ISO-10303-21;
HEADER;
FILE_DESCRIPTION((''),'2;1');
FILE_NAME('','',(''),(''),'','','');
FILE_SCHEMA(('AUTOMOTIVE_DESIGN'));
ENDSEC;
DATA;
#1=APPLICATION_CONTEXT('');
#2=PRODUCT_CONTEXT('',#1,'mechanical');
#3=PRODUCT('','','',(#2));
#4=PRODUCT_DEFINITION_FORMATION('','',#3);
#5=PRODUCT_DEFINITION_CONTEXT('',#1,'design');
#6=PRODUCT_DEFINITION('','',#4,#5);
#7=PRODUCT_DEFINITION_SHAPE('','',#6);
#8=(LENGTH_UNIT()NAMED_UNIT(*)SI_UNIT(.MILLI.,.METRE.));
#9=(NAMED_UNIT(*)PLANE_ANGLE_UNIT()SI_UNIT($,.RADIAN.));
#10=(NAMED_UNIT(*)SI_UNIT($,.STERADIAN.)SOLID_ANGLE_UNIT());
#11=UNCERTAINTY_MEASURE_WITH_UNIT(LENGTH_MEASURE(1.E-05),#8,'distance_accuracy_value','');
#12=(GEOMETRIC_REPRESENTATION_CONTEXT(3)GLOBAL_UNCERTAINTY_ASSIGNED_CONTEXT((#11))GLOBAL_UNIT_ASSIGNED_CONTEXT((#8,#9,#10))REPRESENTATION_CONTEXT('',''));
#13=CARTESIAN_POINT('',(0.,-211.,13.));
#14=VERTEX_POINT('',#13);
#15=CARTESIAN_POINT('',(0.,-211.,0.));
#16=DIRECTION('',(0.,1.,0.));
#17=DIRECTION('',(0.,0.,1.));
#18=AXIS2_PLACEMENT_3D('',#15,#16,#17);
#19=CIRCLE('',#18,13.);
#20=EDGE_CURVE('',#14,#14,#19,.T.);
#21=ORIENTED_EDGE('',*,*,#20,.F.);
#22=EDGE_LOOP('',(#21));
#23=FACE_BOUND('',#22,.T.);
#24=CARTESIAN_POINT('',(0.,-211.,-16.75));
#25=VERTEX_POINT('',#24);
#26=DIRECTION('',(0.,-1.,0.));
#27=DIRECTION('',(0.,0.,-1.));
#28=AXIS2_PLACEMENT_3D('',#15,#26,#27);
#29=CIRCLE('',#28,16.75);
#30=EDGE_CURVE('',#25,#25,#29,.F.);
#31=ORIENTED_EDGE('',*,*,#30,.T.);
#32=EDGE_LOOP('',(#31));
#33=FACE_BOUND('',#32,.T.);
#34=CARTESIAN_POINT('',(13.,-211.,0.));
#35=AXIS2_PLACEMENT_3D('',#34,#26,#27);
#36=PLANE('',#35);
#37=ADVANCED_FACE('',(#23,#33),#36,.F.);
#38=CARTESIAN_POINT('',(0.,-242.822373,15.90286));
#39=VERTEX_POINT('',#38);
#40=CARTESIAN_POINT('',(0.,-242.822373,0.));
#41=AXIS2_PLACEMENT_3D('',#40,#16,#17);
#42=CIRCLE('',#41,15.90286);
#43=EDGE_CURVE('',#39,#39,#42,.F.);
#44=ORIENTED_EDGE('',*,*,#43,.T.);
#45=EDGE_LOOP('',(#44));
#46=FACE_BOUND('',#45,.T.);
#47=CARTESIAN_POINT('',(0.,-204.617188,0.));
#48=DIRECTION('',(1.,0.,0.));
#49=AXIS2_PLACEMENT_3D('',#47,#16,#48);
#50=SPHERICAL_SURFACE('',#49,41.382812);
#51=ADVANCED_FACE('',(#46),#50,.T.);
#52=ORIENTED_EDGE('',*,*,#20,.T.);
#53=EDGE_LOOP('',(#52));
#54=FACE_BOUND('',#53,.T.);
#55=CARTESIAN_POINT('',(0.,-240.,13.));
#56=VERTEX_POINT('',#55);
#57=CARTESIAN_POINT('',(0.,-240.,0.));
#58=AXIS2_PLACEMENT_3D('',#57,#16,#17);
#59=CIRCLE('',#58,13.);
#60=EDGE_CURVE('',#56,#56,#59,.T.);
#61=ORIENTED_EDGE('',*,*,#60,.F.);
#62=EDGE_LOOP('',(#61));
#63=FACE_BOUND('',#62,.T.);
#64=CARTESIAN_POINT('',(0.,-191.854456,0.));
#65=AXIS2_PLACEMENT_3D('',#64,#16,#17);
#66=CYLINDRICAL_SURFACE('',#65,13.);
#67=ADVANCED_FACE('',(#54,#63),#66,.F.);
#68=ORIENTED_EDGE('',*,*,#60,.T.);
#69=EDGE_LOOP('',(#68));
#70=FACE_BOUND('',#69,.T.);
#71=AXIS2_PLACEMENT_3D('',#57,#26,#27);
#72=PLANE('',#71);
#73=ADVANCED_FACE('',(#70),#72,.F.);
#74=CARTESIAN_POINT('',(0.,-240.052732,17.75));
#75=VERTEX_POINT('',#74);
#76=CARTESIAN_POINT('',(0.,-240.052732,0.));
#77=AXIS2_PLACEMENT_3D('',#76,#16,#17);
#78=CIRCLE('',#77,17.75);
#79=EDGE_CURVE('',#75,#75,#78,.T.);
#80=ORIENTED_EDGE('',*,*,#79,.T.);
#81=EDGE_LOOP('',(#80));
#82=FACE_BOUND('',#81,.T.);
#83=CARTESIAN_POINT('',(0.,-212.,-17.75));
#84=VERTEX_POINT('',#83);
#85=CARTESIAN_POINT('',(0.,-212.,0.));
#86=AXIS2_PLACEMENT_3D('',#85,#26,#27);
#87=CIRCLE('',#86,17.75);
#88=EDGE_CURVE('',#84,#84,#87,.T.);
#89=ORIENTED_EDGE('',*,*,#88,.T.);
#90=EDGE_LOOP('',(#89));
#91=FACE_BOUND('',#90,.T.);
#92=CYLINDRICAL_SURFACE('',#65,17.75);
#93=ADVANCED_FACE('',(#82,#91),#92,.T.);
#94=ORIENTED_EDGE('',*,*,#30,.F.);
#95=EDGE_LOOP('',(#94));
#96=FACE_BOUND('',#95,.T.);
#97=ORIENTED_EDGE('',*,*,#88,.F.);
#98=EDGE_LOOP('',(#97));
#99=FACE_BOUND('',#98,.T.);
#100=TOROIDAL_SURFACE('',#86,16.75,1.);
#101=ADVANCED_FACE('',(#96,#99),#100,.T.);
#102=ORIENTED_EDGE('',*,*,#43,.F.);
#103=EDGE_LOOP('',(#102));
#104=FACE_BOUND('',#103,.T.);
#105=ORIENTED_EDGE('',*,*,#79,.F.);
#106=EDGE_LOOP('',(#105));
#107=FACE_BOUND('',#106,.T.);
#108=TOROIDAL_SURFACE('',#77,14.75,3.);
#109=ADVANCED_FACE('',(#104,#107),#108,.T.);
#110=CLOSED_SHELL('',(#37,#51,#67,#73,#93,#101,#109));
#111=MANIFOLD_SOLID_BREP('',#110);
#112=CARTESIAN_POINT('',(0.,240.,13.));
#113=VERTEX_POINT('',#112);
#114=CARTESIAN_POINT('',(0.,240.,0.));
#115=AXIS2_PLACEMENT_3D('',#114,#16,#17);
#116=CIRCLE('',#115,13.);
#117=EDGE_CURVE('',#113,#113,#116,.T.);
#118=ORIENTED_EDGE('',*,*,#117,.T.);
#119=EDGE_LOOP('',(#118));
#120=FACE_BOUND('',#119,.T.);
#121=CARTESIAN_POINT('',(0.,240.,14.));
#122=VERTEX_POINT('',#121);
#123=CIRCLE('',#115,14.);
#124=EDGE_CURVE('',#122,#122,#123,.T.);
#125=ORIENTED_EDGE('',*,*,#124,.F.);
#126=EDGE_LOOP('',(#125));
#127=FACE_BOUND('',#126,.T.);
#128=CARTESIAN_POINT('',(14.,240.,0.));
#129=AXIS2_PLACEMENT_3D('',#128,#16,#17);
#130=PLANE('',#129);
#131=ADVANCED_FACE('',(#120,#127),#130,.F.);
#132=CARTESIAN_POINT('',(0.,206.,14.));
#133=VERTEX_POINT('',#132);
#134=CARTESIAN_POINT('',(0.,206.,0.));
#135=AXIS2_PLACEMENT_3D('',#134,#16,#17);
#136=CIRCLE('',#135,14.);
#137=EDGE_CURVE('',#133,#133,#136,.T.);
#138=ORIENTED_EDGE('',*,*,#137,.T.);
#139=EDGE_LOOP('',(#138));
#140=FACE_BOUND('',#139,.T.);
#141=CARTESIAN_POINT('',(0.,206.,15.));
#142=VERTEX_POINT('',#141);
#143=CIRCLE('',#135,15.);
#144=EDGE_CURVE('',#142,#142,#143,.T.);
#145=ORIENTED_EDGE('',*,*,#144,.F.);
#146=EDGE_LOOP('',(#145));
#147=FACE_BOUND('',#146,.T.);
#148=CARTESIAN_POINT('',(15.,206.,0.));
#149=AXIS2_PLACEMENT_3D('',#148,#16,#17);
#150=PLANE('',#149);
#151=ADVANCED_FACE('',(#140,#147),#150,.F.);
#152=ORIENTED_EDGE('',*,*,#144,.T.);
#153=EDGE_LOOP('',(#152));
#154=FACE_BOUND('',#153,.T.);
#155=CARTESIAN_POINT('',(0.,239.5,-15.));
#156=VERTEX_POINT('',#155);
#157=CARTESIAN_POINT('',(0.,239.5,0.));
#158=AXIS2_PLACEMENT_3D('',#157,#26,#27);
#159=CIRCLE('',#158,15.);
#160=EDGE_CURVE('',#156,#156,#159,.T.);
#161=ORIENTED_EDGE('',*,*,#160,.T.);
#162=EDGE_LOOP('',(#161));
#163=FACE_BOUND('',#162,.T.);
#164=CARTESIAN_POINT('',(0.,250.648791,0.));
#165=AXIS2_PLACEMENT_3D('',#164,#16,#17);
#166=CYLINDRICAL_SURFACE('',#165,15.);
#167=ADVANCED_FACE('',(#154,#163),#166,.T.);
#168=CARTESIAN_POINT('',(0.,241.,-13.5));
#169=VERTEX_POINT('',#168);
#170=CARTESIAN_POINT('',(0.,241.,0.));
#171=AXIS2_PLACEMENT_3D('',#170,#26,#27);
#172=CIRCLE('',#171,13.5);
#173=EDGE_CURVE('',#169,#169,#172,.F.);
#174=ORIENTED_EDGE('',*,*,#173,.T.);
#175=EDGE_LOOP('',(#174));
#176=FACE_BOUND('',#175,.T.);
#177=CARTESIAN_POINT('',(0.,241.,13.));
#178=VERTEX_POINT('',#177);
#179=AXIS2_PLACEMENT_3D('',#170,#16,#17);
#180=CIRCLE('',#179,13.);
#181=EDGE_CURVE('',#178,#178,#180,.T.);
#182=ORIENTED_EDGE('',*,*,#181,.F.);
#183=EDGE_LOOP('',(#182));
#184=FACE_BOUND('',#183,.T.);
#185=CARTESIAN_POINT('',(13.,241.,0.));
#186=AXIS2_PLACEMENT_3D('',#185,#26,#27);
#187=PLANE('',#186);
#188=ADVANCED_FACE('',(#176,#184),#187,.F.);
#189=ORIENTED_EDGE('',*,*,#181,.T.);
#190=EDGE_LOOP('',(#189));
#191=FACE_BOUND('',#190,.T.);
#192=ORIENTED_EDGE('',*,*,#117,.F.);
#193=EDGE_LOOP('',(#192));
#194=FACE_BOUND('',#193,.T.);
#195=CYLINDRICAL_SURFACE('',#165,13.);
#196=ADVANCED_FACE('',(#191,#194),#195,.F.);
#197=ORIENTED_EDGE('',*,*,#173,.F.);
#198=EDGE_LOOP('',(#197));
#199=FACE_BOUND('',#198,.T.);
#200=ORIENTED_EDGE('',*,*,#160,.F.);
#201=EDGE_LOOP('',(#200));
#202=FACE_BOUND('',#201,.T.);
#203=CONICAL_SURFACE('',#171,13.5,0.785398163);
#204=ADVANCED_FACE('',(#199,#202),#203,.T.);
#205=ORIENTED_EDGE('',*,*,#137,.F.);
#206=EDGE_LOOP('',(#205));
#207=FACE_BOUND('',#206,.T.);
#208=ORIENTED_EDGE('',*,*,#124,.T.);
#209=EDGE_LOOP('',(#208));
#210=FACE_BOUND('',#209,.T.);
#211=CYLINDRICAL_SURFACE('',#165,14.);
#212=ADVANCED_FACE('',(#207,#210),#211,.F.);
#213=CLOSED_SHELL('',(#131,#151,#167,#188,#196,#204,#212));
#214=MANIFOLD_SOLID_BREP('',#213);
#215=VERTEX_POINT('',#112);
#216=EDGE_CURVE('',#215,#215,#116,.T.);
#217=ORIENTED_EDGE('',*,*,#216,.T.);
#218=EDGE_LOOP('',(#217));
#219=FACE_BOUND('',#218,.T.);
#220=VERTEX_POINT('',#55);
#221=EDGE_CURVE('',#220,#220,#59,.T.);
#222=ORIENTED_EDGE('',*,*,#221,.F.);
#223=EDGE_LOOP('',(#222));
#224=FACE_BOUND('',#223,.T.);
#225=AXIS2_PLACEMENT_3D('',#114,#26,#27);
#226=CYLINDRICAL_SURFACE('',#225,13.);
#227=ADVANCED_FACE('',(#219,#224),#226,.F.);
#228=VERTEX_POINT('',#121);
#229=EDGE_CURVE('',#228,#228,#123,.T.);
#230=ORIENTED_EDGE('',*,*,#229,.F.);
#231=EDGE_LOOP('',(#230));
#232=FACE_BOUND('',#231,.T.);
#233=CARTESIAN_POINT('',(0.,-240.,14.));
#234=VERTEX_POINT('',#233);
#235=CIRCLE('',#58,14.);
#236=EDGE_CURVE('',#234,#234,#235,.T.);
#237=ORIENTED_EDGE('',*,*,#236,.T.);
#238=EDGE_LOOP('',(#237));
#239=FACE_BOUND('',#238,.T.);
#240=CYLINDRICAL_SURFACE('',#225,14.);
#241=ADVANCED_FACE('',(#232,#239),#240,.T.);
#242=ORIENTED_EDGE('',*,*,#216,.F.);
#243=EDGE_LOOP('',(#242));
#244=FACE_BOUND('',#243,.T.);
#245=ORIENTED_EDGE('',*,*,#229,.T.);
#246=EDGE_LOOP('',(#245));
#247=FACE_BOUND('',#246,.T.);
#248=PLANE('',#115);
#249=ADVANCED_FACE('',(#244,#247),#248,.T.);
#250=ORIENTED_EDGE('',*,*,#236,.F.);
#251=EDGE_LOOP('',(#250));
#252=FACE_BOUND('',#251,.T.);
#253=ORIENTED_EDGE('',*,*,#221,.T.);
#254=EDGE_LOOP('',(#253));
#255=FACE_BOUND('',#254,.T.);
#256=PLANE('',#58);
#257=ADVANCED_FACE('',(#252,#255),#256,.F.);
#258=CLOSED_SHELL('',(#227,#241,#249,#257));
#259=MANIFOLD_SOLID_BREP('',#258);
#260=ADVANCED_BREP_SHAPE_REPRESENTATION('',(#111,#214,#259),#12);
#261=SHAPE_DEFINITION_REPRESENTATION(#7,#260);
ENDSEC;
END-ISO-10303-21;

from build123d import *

# Parameters (mm, degrees)
SKETCH1_R      = 14
SKETCH1_R_2    = 13
EXTRUDE1_DEPTH = 240
FILLET1_R      = 3
FILLET2_R      = 1
CHAMFER1_SIZE  = 1.5


with BuildPart() as part:
    # Sketch1 → Extrude1 (new body, symmetric)
    with BuildSketch(Plane(origin=(0, 0, 0), x_dir=(1, 0, 0), z_dir=(0, 1, 0))):
        Circle(SKETCH1_R)
        Circle(SKETCH1_R_2, mode=Mode.SUBTRACT)
    extrude(amount=EXTRUDE1_DEPTH, both=True)


with BuildPart() as body_2:
    # Sketch2 → Revolve1 (revolve)
    with BuildSketch(Plane.XY):
        with BuildLine():
            Line((13, -211), (17.75, -211))
            Line((17.75, -211), (17.75, -242))
            ThreePointArc((17.75, -242), (9.097561486, -244.987616596), (0, -246))
            Line((0, -246), (0, -240))
            Line((0, -240), (13, -240))
            Line((13, -240), (13, -211))
        make_face()
    revolve(axis=Axis((0, -191.854456481, 0), (0, -1, 0)))

    # Fillet1
    fillet1_edges = [body_2.edges().sort_by_distance(p)[0] for p in [
        (-17.75, -242, 0),
    ]]
    fillet(fillet1_edges, radius=FILLET1_R)

    # Fillet2
    fillet2_edges = [body_2.edges().sort_by_distance(p)[0] for p in [
        (-17.75, -211, 0),
    ]]
    fillet(fillet2_edges, radius=FILLET2_R)


with BuildPart() as body_3:
    # Sketch3 → Revolve2 (revolve)
    with BuildSketch(Plane.XY):
        Polygon((15, 241), (15, 206), (14, 206), (14, 240), (13, 240), (13, 241), align=None)
    revolve(axis=Axis((0, 250.648791431, 0), (0, -1, 0)))

    # Chamfer1
    chamfer1_edges = [body_3.edges().sort_by_distance(p)[0] for p in [
        (-15, 241, 0),
    ]]
    chamfer(chamfer1_edges, length=CHAMFER1_SIZE)


solid = Compound([part.part, body_2.part, body_3.part])
